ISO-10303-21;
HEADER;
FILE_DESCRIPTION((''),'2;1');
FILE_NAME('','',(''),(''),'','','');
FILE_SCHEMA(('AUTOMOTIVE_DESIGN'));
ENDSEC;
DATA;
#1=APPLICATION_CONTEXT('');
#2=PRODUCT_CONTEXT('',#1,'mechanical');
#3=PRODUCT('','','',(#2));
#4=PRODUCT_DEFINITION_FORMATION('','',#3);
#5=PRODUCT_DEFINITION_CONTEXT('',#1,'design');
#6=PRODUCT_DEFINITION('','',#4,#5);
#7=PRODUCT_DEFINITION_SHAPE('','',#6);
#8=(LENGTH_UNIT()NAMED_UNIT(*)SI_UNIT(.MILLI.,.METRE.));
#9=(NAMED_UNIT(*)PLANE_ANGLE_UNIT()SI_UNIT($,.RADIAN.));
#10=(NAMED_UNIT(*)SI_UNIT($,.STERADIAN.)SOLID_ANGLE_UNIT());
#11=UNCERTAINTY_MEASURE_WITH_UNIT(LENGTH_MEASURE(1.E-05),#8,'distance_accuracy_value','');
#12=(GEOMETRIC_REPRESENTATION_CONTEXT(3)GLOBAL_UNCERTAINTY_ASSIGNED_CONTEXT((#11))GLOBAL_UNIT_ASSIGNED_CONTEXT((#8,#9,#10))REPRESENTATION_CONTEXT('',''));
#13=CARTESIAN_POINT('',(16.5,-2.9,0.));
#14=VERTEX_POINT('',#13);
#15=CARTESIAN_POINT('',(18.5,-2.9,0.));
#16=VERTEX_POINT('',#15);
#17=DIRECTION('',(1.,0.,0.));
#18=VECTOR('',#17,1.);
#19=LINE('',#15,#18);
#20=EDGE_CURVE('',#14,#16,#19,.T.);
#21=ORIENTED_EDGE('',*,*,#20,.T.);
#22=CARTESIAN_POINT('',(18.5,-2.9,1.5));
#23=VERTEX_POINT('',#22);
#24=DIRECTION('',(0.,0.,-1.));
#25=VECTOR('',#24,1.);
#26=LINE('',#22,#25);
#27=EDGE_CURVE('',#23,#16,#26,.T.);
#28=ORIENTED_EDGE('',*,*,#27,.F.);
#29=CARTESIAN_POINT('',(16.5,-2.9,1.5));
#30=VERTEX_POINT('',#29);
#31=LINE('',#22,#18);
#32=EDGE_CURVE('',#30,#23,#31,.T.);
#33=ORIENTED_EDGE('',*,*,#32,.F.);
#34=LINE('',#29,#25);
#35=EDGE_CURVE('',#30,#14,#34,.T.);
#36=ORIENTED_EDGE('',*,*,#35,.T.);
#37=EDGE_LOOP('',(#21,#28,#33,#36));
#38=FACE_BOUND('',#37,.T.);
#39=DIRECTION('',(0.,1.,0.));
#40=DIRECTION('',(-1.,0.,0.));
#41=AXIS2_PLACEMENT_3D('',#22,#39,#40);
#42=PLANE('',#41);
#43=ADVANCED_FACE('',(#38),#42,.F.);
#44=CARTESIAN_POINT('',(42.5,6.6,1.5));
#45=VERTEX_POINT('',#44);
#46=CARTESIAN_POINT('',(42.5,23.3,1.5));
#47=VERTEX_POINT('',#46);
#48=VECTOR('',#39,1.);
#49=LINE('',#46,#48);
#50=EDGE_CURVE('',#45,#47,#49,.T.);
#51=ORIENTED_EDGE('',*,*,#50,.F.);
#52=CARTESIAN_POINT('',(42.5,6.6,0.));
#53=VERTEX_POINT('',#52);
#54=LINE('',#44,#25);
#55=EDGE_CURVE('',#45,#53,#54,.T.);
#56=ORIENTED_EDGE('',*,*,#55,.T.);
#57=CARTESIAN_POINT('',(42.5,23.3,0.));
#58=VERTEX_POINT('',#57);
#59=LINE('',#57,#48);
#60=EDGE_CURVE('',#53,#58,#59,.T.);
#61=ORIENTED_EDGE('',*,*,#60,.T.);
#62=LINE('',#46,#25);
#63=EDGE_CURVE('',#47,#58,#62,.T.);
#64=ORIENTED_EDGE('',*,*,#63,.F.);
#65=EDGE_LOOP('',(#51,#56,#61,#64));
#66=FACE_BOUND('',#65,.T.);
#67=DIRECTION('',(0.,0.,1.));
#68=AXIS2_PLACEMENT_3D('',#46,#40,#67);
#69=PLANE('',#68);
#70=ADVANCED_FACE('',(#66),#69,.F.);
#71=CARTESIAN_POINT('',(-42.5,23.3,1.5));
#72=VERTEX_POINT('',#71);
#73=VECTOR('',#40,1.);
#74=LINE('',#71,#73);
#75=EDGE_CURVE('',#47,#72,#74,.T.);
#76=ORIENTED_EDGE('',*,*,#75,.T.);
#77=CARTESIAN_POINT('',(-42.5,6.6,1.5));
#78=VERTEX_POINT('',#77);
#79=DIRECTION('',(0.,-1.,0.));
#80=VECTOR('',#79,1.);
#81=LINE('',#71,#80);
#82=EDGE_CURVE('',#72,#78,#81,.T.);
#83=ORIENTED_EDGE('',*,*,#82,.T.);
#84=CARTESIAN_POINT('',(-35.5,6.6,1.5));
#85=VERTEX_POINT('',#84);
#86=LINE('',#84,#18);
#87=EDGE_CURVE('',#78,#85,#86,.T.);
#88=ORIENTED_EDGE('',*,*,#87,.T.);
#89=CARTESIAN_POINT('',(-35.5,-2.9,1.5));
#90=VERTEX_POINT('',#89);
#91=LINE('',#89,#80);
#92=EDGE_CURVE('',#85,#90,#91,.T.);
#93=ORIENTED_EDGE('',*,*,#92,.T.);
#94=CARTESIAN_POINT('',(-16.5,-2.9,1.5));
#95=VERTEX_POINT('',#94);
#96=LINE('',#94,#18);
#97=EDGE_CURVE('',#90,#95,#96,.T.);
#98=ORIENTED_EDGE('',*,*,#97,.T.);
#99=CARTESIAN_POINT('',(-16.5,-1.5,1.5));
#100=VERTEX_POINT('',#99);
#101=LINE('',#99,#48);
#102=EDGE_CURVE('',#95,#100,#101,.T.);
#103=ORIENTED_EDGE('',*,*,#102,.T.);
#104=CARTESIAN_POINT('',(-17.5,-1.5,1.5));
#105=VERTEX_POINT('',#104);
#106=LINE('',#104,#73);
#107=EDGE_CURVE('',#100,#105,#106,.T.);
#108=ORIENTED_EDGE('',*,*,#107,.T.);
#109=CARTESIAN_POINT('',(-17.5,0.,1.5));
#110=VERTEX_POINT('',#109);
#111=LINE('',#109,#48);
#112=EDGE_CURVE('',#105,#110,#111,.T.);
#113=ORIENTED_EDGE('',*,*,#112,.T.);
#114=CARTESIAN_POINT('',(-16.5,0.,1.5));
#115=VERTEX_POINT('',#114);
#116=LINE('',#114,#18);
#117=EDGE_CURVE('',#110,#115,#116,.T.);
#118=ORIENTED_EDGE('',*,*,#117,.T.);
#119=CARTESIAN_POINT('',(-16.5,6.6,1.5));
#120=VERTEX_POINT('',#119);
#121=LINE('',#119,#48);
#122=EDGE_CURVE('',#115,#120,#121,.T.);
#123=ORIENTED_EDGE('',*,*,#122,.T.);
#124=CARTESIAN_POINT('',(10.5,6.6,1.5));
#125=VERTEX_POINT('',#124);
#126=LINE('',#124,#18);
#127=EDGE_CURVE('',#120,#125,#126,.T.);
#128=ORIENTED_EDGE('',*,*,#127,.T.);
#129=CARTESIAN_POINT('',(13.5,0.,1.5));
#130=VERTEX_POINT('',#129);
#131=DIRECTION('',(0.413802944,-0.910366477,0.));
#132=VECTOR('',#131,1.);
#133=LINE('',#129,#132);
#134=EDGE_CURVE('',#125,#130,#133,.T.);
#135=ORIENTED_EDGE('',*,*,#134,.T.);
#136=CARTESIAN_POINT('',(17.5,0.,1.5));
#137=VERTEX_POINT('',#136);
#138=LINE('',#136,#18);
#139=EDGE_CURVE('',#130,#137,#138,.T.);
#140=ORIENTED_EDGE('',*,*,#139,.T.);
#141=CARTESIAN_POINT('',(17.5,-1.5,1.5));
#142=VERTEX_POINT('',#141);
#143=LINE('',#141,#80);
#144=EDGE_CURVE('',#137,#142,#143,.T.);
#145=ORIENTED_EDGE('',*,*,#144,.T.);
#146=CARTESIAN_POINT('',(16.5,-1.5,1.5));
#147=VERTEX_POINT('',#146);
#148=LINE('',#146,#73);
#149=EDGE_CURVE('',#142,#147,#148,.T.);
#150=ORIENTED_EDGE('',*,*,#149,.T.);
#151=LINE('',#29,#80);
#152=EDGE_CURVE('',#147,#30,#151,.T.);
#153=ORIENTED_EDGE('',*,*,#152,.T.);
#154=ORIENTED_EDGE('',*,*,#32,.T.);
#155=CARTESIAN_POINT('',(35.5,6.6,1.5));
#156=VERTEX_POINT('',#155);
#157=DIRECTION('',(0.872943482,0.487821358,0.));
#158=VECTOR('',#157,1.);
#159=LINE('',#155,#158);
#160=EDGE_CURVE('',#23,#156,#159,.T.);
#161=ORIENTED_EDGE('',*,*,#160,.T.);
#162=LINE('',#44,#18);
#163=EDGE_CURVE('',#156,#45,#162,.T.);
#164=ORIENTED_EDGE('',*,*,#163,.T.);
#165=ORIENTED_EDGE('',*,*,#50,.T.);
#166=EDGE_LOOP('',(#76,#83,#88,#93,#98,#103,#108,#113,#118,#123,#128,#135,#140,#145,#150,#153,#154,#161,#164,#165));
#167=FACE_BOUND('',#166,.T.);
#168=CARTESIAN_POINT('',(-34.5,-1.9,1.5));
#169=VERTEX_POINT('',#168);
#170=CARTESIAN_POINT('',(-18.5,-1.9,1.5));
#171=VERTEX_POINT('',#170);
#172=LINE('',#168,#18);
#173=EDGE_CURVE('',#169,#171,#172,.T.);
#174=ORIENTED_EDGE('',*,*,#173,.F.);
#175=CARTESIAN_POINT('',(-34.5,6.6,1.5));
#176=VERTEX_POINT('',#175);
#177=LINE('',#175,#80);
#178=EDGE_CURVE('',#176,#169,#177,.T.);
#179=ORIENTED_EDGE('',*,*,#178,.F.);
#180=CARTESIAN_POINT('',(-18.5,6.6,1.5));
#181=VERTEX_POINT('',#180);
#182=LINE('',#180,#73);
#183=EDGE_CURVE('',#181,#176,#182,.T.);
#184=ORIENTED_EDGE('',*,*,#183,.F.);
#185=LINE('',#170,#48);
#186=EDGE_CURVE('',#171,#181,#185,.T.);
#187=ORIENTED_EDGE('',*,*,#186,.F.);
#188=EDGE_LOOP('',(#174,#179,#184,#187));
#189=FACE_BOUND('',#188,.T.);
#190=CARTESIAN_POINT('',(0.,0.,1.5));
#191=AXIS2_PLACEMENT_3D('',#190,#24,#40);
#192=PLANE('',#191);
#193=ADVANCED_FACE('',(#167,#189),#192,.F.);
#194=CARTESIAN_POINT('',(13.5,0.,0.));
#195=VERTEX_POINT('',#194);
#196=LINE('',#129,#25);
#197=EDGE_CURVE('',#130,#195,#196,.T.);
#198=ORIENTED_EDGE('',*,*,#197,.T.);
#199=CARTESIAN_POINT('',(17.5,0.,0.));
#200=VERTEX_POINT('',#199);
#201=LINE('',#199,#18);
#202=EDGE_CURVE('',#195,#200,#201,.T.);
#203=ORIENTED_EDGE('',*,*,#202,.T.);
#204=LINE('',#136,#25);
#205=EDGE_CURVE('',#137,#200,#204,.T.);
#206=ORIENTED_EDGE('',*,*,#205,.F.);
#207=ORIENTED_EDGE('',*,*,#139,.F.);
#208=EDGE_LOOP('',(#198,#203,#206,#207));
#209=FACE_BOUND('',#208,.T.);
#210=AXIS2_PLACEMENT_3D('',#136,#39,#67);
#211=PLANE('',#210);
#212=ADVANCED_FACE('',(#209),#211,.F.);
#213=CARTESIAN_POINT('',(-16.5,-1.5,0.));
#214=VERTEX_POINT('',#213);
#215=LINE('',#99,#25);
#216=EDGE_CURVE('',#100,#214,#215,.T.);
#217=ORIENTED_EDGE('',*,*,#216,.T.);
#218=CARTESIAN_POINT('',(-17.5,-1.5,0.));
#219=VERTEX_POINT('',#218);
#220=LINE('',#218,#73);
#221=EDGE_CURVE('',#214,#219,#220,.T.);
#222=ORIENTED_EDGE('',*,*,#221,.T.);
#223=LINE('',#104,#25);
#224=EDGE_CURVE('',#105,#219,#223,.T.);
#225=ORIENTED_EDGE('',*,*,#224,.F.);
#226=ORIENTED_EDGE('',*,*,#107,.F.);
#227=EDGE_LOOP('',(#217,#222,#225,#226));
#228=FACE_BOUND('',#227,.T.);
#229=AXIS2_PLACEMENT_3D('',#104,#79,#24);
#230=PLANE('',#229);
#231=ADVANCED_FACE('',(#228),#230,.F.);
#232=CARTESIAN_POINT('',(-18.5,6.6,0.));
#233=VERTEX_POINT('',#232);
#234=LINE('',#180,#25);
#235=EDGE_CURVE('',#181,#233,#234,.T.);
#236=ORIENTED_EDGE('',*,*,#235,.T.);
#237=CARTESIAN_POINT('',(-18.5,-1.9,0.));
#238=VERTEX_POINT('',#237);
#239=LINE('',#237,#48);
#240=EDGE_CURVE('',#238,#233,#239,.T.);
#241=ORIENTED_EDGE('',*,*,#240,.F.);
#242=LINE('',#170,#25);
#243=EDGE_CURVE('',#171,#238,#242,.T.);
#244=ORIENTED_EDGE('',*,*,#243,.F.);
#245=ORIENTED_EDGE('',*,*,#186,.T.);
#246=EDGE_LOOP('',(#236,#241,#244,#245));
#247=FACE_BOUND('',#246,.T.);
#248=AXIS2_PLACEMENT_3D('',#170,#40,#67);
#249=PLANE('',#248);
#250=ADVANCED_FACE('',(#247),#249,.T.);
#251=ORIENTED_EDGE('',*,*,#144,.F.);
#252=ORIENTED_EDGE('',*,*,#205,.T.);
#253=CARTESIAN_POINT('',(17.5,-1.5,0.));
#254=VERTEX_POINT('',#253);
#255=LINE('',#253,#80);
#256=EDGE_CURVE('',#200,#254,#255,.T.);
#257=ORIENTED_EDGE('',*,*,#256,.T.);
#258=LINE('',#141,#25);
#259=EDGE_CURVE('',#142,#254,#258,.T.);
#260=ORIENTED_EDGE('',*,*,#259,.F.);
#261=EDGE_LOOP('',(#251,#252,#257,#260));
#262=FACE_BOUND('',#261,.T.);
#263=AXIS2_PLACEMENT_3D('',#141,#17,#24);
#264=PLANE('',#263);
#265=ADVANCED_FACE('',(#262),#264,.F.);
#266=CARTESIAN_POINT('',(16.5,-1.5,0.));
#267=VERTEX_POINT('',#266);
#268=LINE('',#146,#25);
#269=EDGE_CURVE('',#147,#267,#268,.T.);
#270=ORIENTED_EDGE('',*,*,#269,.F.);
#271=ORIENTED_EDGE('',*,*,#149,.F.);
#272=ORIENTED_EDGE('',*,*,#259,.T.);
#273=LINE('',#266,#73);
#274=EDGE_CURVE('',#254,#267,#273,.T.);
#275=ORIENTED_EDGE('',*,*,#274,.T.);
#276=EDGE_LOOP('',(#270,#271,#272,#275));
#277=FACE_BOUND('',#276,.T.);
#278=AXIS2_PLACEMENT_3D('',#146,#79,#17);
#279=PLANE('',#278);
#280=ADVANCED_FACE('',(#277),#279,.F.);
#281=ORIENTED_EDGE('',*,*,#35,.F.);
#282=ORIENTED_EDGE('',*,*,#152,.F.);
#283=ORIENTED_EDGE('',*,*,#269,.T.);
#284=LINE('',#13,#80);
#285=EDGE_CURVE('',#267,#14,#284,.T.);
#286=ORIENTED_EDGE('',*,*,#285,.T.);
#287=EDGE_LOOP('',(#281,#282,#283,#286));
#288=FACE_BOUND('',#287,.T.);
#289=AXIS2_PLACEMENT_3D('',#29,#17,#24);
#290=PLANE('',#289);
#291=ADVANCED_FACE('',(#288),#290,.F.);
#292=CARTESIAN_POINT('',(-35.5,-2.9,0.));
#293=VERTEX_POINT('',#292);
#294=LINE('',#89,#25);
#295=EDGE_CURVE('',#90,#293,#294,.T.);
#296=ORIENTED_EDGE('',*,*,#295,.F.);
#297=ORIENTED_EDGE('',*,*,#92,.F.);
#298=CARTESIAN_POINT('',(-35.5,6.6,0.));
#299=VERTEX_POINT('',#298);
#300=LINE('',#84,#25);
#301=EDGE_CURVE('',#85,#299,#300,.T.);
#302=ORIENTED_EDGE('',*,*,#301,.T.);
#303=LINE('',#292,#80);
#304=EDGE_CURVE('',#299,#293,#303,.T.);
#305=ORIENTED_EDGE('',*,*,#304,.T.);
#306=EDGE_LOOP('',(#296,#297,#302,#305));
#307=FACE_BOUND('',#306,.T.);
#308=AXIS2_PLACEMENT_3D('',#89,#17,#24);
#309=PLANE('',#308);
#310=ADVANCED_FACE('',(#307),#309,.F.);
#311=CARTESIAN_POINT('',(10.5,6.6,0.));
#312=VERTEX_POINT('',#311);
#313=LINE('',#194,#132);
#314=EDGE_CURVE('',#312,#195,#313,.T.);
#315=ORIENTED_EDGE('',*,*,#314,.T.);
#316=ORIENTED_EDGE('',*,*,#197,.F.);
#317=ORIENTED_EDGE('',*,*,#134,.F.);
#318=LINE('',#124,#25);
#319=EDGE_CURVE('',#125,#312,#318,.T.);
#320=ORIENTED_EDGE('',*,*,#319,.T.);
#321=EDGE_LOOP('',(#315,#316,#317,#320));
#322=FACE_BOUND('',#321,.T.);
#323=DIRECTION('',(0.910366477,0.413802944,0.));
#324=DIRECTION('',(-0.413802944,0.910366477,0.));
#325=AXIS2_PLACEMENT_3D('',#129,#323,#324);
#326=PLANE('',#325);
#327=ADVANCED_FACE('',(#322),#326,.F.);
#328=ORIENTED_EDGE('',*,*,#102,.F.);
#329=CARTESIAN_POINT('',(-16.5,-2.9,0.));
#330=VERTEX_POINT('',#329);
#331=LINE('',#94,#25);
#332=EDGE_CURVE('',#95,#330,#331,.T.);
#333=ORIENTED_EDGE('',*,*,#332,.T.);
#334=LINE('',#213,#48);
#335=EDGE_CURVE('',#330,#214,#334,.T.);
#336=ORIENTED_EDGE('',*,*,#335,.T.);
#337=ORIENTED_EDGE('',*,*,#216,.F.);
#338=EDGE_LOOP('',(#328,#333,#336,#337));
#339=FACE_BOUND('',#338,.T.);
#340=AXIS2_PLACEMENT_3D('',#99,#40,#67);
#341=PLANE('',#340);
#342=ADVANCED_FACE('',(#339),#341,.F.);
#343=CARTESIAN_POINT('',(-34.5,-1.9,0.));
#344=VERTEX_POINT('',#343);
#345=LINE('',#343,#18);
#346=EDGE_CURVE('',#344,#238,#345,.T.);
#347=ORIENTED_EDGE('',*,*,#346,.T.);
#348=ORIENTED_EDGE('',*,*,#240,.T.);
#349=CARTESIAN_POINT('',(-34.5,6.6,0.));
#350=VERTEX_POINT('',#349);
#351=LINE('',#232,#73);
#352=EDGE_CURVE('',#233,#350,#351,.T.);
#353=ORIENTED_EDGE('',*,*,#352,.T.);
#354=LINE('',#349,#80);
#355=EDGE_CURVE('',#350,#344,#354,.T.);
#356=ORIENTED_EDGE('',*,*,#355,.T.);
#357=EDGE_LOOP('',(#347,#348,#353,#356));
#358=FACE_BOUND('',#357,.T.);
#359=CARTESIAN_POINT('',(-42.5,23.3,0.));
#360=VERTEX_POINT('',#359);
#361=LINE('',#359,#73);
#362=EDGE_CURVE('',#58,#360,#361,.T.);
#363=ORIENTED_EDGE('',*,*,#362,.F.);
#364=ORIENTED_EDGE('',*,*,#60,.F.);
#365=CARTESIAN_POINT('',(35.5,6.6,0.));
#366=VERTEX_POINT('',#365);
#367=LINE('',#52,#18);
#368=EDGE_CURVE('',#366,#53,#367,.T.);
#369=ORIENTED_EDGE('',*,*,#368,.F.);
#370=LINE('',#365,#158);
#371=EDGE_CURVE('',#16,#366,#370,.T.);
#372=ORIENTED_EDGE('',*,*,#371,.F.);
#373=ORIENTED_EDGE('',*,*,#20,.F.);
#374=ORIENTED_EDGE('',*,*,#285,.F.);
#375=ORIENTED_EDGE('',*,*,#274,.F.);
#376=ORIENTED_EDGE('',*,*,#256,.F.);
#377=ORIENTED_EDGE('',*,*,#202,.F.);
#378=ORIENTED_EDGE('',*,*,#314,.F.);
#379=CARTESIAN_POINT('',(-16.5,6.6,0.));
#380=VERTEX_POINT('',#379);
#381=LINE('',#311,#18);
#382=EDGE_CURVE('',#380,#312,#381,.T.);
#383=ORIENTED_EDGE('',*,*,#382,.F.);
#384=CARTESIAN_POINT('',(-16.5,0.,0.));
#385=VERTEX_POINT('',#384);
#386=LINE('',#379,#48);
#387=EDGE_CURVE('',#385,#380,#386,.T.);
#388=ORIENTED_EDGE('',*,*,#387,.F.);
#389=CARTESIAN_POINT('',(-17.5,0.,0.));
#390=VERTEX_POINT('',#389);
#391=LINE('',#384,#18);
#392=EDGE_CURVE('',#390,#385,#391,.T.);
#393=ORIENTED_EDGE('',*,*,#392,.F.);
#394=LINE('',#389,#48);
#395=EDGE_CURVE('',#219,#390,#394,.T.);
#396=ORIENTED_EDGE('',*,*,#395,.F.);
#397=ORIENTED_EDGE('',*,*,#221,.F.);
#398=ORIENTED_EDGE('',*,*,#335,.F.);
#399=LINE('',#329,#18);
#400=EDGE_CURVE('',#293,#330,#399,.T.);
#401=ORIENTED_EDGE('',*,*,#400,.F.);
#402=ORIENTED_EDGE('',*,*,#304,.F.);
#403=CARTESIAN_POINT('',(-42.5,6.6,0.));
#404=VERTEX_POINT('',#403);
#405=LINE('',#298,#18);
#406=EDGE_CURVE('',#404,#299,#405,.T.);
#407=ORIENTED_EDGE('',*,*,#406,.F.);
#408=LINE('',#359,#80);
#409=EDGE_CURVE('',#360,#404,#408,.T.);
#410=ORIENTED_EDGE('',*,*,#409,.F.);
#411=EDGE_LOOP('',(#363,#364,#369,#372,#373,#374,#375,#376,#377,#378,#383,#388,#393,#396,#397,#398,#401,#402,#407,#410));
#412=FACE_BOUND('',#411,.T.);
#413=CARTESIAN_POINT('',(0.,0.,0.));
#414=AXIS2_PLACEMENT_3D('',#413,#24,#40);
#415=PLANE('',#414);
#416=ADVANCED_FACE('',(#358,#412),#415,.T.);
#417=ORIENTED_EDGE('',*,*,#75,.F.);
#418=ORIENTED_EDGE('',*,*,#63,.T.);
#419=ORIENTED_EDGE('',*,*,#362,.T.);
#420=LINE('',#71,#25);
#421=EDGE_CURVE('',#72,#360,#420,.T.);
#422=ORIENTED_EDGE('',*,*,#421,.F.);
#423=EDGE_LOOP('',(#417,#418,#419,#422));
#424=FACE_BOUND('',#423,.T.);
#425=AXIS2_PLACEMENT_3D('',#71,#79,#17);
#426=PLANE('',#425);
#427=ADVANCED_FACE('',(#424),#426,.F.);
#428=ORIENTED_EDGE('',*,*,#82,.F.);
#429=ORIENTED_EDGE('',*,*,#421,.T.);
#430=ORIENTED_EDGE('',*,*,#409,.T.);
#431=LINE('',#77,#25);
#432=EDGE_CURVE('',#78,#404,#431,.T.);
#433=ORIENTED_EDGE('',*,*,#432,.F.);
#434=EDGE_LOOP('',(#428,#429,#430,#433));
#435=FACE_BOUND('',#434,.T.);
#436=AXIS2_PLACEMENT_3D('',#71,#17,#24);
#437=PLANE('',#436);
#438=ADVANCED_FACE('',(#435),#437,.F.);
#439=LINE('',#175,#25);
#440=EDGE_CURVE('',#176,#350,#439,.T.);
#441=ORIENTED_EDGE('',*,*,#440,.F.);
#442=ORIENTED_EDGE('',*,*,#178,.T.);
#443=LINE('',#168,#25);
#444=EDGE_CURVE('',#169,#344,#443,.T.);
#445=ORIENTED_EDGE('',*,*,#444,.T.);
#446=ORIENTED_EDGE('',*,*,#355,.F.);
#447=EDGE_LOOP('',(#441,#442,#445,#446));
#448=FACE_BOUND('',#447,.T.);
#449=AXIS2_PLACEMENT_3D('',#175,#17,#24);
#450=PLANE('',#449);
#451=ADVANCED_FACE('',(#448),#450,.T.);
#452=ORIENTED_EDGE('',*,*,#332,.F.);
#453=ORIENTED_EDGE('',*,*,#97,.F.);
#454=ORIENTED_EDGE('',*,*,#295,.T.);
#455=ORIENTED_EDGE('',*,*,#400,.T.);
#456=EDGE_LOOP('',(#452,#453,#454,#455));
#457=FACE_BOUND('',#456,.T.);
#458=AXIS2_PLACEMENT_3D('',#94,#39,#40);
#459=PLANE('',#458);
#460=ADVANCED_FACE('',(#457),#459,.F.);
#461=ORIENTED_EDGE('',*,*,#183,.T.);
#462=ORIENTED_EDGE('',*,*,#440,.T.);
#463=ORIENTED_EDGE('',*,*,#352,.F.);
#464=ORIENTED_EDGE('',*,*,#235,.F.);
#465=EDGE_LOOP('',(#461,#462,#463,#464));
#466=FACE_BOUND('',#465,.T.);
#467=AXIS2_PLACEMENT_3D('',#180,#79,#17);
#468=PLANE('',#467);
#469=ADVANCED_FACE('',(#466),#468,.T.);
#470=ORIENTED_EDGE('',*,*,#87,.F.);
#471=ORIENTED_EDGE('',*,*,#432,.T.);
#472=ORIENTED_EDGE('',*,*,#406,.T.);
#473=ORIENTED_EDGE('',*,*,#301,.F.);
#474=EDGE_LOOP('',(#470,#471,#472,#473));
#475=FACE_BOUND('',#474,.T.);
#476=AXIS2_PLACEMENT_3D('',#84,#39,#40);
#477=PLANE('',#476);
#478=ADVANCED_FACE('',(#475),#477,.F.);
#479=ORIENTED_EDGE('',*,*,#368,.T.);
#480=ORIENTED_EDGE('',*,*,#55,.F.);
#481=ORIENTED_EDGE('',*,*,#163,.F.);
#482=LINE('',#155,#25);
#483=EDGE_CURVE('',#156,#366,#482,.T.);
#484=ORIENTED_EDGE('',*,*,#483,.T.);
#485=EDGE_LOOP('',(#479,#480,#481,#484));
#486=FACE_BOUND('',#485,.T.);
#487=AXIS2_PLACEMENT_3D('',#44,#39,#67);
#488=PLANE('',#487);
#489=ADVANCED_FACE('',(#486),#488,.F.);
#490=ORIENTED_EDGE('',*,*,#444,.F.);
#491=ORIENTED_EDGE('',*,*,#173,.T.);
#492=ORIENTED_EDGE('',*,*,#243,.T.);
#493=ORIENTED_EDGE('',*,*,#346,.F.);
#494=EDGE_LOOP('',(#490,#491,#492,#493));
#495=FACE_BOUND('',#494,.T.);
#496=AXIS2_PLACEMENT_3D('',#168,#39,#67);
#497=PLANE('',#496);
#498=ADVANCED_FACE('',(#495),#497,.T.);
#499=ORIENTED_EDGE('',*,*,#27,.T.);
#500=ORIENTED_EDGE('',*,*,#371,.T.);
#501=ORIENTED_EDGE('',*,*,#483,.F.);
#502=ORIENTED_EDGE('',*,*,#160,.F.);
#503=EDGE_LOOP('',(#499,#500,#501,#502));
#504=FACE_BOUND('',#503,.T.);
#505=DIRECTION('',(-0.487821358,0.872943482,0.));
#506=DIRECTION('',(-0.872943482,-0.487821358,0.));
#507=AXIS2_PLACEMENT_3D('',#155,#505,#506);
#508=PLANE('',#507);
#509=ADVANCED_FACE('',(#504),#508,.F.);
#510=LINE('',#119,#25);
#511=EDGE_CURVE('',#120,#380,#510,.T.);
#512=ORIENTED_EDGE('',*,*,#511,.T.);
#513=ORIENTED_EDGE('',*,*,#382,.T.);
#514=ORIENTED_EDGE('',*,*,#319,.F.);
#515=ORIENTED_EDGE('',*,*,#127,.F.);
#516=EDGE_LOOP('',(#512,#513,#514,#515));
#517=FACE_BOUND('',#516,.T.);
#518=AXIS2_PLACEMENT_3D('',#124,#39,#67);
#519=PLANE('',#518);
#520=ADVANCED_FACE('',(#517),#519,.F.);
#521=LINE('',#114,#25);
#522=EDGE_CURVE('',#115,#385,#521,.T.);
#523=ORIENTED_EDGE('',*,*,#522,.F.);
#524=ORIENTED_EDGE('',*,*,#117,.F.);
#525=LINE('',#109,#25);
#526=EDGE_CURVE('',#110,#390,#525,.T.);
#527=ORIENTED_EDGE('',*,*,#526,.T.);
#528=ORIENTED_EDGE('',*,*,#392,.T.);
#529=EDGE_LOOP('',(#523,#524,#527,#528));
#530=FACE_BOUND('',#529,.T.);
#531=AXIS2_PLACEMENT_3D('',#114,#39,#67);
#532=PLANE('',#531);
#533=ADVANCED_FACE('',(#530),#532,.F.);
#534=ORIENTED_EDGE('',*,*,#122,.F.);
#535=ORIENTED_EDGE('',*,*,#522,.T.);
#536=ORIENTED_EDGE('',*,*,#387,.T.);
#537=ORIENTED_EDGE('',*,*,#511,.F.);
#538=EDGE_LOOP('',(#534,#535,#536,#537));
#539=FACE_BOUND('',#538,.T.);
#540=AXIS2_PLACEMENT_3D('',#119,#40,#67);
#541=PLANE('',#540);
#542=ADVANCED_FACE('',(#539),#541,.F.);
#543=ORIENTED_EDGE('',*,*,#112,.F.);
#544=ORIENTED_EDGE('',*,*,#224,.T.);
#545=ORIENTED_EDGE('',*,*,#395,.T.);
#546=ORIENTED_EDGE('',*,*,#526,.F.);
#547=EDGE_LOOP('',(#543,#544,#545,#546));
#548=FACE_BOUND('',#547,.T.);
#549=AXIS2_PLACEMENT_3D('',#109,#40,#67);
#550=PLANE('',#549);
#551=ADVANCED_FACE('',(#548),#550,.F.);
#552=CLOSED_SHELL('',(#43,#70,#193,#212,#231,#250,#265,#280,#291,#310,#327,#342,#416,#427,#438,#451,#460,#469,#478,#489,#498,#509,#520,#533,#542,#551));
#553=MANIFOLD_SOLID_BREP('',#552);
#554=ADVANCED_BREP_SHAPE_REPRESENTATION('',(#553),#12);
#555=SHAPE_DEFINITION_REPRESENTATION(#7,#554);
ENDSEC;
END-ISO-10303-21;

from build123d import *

# Parameters (mm, degrees)
SKETCH1_W           = 16
SKETCH1_H           = 8.5
BOSS_EXTRUDE1_DEPTH = 1.5


with BuildPart() as part:
    # Sketch1 → Boss-Extrude1 (new body)
    with BuildSketch(Plane.XY):
        Polygon((-42.5, 23.3), (42.5, 23.3), (42.5, 6.6), (35.5, 6.6), (18.5, -2.9), (16.5, -2.9), (16.5, -1.5), (17.5, -1.5), (17.5, 0), (13.5, 0), (10.5, 6.6), (-16.5, 6.6), (-16.5, 0), (-17.5, 0), (-17.5, -1.5), (-16.5, -1.5), (-16.5, -2.9), (-35.5, -2.9), (-35.5, 6.6), (-42.5, 6.6), align=None)
        with Locations((-26.5, 2.35)):
            Rectangle(SKETCH1_W, SKETCH1_H, mode=Mode.SUBTRACT)
    extrude(amount=BOSS_EXTRUDE1_DEPTH)


solid = part.part
